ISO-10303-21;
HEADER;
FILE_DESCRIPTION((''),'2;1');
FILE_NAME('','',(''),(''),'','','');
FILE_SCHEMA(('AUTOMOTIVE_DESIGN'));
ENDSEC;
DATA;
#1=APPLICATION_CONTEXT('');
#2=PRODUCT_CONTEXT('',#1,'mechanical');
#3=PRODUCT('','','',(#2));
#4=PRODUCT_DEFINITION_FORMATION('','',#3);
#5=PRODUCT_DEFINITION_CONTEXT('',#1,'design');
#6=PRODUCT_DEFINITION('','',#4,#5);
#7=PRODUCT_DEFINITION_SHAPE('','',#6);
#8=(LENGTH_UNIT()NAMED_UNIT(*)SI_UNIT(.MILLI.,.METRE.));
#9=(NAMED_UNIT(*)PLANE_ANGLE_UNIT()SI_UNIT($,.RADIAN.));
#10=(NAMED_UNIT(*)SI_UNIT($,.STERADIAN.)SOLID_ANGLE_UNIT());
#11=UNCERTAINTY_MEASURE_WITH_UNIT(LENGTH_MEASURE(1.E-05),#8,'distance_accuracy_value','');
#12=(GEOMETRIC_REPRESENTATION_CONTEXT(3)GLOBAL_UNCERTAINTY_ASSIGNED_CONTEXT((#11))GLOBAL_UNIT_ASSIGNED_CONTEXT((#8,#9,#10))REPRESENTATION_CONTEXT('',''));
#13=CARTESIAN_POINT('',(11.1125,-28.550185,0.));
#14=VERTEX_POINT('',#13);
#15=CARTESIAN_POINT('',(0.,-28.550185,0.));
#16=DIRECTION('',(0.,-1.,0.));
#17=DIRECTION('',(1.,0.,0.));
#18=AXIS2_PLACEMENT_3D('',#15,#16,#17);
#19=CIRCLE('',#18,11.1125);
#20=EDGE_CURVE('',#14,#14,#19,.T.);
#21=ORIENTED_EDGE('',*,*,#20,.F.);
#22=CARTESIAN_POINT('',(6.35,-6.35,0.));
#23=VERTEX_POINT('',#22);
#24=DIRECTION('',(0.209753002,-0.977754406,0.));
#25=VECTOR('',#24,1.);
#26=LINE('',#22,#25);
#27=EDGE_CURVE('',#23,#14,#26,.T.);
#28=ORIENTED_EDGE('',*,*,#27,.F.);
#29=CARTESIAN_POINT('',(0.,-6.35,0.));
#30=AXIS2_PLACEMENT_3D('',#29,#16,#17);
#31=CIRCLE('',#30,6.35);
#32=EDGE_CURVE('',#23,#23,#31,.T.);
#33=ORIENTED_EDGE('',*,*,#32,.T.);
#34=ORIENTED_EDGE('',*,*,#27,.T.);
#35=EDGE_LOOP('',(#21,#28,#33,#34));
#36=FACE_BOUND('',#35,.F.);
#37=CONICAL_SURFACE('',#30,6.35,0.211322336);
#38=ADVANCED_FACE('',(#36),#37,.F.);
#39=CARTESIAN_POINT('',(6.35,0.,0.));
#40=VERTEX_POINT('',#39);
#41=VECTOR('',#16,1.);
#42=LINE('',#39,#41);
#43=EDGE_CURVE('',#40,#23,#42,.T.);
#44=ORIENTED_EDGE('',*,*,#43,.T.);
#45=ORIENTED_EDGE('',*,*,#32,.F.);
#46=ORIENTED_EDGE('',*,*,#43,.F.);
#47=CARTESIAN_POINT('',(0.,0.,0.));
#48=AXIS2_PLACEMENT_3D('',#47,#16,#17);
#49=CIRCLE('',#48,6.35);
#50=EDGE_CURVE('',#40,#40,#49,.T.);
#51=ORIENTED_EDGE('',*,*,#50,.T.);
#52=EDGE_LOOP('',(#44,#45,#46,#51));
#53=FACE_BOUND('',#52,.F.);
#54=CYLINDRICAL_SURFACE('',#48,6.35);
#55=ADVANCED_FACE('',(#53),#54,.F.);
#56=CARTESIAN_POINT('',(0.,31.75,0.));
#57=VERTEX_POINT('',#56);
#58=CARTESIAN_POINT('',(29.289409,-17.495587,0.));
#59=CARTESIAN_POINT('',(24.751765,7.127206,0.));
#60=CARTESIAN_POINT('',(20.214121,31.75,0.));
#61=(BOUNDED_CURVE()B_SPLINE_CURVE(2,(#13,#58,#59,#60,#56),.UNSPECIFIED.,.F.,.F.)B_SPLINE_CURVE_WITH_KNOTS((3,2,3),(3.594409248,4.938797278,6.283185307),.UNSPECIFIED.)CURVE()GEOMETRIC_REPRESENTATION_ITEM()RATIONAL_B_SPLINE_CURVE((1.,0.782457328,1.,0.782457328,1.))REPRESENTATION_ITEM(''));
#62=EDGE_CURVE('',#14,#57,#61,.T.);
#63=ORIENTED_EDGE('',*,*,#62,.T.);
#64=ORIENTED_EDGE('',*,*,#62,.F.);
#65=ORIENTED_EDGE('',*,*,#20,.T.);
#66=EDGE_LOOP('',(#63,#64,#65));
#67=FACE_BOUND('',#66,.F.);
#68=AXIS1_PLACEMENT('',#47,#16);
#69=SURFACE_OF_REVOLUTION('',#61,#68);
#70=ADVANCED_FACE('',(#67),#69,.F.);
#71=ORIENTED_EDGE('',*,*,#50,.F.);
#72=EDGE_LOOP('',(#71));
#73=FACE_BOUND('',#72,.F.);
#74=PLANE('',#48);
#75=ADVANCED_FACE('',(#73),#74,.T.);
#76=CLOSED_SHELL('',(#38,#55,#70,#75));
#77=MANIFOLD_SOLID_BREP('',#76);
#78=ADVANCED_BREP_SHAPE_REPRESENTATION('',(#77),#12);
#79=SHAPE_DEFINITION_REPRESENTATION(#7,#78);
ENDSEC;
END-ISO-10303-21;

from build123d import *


with BuildPart() as f1:
    # F0 (on Top) → F1 (revolve)
    with BuildSketch(Plane.XY):
        with BuildLine():
            Line((6.35, -6.35), (11.1125, -28.5501845372))
            add(Edge.make_bspline(
                [(11.1125, -28.5501845372), (29.2894094809, -17.4955872837), (24.7517650865, 7.1272063581), (20.2141206921, 31.75), (0, 31.75)],
                knots=[3.5944092483, 3.5944092483, 3.5944092483, 4.9387972778, 4.9387972778, 6.2831853072, 6.2831853072, 6.2831853072], degree=2, weights=[1, 0.782457328, 1, 0.782457328, 1]))
            Line((0, 31.75), (0, 0))
            Line((0, 0), (6.35, 0))
            Line((6.35, 0), (6.35, -6.35))
        make_face()
    revolve(axis=Axis((0, 0, 0), (0, -1, 0)))


solid = f1.part
